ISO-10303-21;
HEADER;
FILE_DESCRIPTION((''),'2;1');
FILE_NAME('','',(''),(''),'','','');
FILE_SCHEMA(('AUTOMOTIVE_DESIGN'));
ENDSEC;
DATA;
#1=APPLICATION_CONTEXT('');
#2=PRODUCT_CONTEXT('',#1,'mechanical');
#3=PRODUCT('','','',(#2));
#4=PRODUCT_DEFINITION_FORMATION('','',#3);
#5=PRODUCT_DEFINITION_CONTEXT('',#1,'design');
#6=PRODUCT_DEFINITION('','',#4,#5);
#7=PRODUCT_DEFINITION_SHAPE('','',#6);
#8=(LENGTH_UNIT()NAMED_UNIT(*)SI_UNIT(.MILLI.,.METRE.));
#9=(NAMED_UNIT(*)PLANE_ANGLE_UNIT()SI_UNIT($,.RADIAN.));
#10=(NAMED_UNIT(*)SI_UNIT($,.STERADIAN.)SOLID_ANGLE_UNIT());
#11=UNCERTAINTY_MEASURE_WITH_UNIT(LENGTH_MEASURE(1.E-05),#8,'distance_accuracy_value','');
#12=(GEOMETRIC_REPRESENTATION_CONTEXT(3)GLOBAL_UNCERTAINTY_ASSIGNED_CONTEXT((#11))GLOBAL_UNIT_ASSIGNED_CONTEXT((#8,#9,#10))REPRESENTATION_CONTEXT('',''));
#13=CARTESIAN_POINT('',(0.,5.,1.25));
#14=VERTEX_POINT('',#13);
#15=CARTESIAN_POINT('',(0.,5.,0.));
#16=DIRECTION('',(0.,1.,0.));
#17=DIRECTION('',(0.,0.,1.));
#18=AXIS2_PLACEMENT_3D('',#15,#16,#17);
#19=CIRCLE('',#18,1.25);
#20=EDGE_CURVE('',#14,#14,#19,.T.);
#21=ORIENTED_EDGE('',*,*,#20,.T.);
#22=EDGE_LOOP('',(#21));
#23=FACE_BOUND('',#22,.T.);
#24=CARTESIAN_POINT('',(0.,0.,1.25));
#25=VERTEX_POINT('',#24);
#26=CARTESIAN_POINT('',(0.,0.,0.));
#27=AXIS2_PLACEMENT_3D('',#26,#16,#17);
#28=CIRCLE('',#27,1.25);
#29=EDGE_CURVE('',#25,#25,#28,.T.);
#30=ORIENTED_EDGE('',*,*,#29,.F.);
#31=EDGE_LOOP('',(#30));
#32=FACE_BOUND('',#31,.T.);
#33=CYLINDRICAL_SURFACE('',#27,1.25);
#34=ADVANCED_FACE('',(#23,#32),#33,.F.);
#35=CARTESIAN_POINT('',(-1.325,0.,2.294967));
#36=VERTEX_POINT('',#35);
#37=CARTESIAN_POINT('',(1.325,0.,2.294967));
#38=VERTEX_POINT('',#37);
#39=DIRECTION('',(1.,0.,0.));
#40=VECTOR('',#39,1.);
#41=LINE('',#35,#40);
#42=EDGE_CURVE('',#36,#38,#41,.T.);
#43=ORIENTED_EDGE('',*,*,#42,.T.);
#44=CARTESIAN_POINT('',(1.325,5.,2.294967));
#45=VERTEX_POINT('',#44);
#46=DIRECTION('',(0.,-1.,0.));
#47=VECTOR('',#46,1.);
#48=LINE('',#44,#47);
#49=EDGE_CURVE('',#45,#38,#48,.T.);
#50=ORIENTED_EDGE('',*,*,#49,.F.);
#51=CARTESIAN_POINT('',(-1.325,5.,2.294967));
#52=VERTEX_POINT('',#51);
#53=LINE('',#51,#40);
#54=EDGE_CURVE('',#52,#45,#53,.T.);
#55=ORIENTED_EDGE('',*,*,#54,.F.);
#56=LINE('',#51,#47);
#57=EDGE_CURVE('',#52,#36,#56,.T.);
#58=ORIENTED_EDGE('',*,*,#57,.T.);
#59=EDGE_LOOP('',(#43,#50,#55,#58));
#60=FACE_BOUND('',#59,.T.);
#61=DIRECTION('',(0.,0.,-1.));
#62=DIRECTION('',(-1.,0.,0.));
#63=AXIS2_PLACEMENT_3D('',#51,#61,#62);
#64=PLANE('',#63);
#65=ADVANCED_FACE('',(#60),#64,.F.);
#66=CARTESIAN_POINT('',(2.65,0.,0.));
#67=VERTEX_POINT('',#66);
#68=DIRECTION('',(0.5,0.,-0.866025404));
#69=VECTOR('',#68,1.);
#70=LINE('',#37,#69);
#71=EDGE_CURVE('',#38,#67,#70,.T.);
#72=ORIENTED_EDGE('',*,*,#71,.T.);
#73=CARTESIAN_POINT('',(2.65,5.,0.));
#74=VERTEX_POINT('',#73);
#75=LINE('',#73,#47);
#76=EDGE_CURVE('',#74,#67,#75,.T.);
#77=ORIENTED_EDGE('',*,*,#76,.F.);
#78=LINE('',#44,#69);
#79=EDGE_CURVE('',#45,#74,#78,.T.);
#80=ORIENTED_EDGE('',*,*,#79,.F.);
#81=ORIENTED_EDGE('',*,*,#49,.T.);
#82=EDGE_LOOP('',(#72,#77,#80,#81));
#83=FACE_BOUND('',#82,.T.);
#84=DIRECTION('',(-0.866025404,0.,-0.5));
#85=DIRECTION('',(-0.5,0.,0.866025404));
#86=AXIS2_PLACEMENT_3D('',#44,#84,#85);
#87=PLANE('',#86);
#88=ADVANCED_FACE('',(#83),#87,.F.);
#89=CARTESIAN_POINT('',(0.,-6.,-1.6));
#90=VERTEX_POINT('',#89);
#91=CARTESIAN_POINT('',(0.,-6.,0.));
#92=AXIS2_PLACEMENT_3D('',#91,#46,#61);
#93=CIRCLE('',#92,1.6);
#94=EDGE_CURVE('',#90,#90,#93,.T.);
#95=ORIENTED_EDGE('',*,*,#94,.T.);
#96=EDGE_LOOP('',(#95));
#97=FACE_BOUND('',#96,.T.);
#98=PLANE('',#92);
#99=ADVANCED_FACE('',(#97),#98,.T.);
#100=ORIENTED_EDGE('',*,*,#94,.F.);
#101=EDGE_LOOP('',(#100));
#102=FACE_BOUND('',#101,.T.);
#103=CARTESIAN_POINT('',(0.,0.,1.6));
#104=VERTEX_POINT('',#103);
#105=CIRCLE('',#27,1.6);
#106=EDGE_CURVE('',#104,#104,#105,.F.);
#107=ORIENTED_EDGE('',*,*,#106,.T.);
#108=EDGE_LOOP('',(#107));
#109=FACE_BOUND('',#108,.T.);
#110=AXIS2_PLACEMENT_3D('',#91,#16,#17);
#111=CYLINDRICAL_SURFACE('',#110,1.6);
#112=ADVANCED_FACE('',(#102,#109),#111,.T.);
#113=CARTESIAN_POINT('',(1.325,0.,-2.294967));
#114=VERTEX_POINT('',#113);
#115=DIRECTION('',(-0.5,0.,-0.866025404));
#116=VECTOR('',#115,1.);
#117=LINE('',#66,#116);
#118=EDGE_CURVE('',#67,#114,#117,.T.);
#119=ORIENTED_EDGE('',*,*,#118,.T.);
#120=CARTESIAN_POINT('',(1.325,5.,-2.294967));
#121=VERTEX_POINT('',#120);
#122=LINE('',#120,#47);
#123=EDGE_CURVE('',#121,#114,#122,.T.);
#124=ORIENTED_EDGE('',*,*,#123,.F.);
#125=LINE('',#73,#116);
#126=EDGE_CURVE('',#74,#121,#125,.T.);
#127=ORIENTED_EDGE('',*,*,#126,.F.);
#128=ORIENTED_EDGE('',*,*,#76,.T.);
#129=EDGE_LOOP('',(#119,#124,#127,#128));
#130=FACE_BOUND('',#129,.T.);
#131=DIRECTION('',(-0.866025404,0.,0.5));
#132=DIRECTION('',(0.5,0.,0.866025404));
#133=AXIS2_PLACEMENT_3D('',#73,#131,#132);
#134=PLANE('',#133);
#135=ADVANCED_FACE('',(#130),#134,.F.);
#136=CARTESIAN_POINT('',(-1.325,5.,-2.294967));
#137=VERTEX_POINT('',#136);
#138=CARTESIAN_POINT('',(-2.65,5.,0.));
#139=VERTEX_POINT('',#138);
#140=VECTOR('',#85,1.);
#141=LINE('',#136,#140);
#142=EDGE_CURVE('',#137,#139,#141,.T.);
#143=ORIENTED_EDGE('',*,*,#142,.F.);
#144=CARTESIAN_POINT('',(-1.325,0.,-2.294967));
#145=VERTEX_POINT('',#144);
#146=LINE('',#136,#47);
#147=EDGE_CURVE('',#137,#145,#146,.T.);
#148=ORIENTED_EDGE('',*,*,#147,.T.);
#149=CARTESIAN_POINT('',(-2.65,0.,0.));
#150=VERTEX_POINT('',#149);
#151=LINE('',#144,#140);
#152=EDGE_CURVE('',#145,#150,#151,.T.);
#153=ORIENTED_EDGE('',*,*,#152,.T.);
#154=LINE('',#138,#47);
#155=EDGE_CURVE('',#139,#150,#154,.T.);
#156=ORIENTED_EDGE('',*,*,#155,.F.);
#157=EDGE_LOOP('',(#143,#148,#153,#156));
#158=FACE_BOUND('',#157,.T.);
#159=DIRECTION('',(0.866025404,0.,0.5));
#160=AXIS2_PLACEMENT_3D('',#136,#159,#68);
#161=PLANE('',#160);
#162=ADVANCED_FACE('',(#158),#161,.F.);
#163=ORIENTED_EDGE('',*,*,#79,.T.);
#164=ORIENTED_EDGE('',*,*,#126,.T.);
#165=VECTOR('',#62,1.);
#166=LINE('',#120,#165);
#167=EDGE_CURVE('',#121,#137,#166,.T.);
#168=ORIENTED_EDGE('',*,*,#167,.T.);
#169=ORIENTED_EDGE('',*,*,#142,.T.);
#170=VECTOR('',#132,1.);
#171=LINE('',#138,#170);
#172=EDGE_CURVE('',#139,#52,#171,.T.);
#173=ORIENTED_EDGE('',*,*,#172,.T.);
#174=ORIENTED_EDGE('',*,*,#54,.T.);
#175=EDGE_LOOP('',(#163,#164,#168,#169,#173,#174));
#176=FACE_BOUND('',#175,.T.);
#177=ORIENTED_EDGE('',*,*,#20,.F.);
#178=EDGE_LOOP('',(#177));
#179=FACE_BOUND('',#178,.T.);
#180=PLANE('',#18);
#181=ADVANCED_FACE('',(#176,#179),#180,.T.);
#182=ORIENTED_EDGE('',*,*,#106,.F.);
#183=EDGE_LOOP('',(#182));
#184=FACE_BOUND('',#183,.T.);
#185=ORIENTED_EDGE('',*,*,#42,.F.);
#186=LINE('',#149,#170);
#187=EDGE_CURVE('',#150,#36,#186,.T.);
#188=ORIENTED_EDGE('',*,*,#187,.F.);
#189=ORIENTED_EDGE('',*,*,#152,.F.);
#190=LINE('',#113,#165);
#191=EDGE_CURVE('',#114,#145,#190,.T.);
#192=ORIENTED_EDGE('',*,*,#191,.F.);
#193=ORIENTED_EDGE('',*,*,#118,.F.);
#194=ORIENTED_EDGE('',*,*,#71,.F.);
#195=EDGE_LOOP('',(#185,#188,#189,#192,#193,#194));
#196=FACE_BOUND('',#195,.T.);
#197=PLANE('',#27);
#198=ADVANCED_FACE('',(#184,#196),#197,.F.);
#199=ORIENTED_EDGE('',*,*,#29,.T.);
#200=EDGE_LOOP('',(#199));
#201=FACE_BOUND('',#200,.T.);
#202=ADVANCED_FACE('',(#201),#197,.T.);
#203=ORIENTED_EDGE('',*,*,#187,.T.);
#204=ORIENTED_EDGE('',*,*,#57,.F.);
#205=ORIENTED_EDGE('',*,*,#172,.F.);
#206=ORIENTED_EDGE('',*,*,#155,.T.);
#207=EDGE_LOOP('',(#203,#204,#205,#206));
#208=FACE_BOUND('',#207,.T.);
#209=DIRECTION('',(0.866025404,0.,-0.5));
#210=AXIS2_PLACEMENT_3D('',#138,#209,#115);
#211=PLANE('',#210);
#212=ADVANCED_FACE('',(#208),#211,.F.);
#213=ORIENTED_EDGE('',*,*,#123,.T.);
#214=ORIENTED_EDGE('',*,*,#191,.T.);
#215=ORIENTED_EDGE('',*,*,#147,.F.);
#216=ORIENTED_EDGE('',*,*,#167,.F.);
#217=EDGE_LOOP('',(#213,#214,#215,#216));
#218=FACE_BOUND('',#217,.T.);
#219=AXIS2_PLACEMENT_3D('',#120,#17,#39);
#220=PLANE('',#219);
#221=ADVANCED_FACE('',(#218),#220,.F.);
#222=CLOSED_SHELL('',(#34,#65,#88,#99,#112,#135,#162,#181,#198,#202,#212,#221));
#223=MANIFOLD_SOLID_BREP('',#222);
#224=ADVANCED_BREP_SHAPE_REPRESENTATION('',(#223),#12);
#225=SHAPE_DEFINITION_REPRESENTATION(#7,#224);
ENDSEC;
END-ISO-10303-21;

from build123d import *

# Parameters (mm, degrees)
EXTRUDE_1_DEPTH     = 5
SKETCH_6_R          = 1.6
EXTRUDE_2_DEPTH     = 6
SKETCH_7_R          = 1.25
CUT_EXTRUDE_1_DEPTH = 5


with BuildPart() as part:
    # 草图4 → 凸台-拉伸1 (new body)
    with BuildSketch(Plane(origin=(0, 0, 0), x_dir=(1, 0, 0), z_dir=(0, 1, 0))):
        Polygon((1.325, -2.29496732), (2.65, 0), (1.325, 2.29496732), (-1.325, 2.29496732), (-2.65, 0), (-1.325, -2.29496732), align=None)
    extrude(amount=EXTRUDE_1_DEPTH)

    # 草图6 → 凸台-拉伸2 (add)
    with BuildSketch(Plane(origin=(0, 0, 0), x_dir=(-1, 0, 0), z_dir=(0, -1, 0))):
        with Locations(Location((0, 0, 0), (0, 0, 270))):
            Circle(SKETCH_6_R)
    extrude(amount=EXTRUDE_2_DEPTH)

    # 草图7 → 切除-拉伸1 (cut)
    with BuildSketch(Plane(origin=(0, 5, 0), x_dir=(1, 0, 0), z_dir=(0, 1, 0))):
        with Locations(Location((0, 0, 0), (0, 0, 270))):
            Circle(SKETCH_7_R)
    extrude(amount=-CUT_EXTRUDE_1_DEPTH, mode=Mode.SUBTRACT)


solid = part.part
